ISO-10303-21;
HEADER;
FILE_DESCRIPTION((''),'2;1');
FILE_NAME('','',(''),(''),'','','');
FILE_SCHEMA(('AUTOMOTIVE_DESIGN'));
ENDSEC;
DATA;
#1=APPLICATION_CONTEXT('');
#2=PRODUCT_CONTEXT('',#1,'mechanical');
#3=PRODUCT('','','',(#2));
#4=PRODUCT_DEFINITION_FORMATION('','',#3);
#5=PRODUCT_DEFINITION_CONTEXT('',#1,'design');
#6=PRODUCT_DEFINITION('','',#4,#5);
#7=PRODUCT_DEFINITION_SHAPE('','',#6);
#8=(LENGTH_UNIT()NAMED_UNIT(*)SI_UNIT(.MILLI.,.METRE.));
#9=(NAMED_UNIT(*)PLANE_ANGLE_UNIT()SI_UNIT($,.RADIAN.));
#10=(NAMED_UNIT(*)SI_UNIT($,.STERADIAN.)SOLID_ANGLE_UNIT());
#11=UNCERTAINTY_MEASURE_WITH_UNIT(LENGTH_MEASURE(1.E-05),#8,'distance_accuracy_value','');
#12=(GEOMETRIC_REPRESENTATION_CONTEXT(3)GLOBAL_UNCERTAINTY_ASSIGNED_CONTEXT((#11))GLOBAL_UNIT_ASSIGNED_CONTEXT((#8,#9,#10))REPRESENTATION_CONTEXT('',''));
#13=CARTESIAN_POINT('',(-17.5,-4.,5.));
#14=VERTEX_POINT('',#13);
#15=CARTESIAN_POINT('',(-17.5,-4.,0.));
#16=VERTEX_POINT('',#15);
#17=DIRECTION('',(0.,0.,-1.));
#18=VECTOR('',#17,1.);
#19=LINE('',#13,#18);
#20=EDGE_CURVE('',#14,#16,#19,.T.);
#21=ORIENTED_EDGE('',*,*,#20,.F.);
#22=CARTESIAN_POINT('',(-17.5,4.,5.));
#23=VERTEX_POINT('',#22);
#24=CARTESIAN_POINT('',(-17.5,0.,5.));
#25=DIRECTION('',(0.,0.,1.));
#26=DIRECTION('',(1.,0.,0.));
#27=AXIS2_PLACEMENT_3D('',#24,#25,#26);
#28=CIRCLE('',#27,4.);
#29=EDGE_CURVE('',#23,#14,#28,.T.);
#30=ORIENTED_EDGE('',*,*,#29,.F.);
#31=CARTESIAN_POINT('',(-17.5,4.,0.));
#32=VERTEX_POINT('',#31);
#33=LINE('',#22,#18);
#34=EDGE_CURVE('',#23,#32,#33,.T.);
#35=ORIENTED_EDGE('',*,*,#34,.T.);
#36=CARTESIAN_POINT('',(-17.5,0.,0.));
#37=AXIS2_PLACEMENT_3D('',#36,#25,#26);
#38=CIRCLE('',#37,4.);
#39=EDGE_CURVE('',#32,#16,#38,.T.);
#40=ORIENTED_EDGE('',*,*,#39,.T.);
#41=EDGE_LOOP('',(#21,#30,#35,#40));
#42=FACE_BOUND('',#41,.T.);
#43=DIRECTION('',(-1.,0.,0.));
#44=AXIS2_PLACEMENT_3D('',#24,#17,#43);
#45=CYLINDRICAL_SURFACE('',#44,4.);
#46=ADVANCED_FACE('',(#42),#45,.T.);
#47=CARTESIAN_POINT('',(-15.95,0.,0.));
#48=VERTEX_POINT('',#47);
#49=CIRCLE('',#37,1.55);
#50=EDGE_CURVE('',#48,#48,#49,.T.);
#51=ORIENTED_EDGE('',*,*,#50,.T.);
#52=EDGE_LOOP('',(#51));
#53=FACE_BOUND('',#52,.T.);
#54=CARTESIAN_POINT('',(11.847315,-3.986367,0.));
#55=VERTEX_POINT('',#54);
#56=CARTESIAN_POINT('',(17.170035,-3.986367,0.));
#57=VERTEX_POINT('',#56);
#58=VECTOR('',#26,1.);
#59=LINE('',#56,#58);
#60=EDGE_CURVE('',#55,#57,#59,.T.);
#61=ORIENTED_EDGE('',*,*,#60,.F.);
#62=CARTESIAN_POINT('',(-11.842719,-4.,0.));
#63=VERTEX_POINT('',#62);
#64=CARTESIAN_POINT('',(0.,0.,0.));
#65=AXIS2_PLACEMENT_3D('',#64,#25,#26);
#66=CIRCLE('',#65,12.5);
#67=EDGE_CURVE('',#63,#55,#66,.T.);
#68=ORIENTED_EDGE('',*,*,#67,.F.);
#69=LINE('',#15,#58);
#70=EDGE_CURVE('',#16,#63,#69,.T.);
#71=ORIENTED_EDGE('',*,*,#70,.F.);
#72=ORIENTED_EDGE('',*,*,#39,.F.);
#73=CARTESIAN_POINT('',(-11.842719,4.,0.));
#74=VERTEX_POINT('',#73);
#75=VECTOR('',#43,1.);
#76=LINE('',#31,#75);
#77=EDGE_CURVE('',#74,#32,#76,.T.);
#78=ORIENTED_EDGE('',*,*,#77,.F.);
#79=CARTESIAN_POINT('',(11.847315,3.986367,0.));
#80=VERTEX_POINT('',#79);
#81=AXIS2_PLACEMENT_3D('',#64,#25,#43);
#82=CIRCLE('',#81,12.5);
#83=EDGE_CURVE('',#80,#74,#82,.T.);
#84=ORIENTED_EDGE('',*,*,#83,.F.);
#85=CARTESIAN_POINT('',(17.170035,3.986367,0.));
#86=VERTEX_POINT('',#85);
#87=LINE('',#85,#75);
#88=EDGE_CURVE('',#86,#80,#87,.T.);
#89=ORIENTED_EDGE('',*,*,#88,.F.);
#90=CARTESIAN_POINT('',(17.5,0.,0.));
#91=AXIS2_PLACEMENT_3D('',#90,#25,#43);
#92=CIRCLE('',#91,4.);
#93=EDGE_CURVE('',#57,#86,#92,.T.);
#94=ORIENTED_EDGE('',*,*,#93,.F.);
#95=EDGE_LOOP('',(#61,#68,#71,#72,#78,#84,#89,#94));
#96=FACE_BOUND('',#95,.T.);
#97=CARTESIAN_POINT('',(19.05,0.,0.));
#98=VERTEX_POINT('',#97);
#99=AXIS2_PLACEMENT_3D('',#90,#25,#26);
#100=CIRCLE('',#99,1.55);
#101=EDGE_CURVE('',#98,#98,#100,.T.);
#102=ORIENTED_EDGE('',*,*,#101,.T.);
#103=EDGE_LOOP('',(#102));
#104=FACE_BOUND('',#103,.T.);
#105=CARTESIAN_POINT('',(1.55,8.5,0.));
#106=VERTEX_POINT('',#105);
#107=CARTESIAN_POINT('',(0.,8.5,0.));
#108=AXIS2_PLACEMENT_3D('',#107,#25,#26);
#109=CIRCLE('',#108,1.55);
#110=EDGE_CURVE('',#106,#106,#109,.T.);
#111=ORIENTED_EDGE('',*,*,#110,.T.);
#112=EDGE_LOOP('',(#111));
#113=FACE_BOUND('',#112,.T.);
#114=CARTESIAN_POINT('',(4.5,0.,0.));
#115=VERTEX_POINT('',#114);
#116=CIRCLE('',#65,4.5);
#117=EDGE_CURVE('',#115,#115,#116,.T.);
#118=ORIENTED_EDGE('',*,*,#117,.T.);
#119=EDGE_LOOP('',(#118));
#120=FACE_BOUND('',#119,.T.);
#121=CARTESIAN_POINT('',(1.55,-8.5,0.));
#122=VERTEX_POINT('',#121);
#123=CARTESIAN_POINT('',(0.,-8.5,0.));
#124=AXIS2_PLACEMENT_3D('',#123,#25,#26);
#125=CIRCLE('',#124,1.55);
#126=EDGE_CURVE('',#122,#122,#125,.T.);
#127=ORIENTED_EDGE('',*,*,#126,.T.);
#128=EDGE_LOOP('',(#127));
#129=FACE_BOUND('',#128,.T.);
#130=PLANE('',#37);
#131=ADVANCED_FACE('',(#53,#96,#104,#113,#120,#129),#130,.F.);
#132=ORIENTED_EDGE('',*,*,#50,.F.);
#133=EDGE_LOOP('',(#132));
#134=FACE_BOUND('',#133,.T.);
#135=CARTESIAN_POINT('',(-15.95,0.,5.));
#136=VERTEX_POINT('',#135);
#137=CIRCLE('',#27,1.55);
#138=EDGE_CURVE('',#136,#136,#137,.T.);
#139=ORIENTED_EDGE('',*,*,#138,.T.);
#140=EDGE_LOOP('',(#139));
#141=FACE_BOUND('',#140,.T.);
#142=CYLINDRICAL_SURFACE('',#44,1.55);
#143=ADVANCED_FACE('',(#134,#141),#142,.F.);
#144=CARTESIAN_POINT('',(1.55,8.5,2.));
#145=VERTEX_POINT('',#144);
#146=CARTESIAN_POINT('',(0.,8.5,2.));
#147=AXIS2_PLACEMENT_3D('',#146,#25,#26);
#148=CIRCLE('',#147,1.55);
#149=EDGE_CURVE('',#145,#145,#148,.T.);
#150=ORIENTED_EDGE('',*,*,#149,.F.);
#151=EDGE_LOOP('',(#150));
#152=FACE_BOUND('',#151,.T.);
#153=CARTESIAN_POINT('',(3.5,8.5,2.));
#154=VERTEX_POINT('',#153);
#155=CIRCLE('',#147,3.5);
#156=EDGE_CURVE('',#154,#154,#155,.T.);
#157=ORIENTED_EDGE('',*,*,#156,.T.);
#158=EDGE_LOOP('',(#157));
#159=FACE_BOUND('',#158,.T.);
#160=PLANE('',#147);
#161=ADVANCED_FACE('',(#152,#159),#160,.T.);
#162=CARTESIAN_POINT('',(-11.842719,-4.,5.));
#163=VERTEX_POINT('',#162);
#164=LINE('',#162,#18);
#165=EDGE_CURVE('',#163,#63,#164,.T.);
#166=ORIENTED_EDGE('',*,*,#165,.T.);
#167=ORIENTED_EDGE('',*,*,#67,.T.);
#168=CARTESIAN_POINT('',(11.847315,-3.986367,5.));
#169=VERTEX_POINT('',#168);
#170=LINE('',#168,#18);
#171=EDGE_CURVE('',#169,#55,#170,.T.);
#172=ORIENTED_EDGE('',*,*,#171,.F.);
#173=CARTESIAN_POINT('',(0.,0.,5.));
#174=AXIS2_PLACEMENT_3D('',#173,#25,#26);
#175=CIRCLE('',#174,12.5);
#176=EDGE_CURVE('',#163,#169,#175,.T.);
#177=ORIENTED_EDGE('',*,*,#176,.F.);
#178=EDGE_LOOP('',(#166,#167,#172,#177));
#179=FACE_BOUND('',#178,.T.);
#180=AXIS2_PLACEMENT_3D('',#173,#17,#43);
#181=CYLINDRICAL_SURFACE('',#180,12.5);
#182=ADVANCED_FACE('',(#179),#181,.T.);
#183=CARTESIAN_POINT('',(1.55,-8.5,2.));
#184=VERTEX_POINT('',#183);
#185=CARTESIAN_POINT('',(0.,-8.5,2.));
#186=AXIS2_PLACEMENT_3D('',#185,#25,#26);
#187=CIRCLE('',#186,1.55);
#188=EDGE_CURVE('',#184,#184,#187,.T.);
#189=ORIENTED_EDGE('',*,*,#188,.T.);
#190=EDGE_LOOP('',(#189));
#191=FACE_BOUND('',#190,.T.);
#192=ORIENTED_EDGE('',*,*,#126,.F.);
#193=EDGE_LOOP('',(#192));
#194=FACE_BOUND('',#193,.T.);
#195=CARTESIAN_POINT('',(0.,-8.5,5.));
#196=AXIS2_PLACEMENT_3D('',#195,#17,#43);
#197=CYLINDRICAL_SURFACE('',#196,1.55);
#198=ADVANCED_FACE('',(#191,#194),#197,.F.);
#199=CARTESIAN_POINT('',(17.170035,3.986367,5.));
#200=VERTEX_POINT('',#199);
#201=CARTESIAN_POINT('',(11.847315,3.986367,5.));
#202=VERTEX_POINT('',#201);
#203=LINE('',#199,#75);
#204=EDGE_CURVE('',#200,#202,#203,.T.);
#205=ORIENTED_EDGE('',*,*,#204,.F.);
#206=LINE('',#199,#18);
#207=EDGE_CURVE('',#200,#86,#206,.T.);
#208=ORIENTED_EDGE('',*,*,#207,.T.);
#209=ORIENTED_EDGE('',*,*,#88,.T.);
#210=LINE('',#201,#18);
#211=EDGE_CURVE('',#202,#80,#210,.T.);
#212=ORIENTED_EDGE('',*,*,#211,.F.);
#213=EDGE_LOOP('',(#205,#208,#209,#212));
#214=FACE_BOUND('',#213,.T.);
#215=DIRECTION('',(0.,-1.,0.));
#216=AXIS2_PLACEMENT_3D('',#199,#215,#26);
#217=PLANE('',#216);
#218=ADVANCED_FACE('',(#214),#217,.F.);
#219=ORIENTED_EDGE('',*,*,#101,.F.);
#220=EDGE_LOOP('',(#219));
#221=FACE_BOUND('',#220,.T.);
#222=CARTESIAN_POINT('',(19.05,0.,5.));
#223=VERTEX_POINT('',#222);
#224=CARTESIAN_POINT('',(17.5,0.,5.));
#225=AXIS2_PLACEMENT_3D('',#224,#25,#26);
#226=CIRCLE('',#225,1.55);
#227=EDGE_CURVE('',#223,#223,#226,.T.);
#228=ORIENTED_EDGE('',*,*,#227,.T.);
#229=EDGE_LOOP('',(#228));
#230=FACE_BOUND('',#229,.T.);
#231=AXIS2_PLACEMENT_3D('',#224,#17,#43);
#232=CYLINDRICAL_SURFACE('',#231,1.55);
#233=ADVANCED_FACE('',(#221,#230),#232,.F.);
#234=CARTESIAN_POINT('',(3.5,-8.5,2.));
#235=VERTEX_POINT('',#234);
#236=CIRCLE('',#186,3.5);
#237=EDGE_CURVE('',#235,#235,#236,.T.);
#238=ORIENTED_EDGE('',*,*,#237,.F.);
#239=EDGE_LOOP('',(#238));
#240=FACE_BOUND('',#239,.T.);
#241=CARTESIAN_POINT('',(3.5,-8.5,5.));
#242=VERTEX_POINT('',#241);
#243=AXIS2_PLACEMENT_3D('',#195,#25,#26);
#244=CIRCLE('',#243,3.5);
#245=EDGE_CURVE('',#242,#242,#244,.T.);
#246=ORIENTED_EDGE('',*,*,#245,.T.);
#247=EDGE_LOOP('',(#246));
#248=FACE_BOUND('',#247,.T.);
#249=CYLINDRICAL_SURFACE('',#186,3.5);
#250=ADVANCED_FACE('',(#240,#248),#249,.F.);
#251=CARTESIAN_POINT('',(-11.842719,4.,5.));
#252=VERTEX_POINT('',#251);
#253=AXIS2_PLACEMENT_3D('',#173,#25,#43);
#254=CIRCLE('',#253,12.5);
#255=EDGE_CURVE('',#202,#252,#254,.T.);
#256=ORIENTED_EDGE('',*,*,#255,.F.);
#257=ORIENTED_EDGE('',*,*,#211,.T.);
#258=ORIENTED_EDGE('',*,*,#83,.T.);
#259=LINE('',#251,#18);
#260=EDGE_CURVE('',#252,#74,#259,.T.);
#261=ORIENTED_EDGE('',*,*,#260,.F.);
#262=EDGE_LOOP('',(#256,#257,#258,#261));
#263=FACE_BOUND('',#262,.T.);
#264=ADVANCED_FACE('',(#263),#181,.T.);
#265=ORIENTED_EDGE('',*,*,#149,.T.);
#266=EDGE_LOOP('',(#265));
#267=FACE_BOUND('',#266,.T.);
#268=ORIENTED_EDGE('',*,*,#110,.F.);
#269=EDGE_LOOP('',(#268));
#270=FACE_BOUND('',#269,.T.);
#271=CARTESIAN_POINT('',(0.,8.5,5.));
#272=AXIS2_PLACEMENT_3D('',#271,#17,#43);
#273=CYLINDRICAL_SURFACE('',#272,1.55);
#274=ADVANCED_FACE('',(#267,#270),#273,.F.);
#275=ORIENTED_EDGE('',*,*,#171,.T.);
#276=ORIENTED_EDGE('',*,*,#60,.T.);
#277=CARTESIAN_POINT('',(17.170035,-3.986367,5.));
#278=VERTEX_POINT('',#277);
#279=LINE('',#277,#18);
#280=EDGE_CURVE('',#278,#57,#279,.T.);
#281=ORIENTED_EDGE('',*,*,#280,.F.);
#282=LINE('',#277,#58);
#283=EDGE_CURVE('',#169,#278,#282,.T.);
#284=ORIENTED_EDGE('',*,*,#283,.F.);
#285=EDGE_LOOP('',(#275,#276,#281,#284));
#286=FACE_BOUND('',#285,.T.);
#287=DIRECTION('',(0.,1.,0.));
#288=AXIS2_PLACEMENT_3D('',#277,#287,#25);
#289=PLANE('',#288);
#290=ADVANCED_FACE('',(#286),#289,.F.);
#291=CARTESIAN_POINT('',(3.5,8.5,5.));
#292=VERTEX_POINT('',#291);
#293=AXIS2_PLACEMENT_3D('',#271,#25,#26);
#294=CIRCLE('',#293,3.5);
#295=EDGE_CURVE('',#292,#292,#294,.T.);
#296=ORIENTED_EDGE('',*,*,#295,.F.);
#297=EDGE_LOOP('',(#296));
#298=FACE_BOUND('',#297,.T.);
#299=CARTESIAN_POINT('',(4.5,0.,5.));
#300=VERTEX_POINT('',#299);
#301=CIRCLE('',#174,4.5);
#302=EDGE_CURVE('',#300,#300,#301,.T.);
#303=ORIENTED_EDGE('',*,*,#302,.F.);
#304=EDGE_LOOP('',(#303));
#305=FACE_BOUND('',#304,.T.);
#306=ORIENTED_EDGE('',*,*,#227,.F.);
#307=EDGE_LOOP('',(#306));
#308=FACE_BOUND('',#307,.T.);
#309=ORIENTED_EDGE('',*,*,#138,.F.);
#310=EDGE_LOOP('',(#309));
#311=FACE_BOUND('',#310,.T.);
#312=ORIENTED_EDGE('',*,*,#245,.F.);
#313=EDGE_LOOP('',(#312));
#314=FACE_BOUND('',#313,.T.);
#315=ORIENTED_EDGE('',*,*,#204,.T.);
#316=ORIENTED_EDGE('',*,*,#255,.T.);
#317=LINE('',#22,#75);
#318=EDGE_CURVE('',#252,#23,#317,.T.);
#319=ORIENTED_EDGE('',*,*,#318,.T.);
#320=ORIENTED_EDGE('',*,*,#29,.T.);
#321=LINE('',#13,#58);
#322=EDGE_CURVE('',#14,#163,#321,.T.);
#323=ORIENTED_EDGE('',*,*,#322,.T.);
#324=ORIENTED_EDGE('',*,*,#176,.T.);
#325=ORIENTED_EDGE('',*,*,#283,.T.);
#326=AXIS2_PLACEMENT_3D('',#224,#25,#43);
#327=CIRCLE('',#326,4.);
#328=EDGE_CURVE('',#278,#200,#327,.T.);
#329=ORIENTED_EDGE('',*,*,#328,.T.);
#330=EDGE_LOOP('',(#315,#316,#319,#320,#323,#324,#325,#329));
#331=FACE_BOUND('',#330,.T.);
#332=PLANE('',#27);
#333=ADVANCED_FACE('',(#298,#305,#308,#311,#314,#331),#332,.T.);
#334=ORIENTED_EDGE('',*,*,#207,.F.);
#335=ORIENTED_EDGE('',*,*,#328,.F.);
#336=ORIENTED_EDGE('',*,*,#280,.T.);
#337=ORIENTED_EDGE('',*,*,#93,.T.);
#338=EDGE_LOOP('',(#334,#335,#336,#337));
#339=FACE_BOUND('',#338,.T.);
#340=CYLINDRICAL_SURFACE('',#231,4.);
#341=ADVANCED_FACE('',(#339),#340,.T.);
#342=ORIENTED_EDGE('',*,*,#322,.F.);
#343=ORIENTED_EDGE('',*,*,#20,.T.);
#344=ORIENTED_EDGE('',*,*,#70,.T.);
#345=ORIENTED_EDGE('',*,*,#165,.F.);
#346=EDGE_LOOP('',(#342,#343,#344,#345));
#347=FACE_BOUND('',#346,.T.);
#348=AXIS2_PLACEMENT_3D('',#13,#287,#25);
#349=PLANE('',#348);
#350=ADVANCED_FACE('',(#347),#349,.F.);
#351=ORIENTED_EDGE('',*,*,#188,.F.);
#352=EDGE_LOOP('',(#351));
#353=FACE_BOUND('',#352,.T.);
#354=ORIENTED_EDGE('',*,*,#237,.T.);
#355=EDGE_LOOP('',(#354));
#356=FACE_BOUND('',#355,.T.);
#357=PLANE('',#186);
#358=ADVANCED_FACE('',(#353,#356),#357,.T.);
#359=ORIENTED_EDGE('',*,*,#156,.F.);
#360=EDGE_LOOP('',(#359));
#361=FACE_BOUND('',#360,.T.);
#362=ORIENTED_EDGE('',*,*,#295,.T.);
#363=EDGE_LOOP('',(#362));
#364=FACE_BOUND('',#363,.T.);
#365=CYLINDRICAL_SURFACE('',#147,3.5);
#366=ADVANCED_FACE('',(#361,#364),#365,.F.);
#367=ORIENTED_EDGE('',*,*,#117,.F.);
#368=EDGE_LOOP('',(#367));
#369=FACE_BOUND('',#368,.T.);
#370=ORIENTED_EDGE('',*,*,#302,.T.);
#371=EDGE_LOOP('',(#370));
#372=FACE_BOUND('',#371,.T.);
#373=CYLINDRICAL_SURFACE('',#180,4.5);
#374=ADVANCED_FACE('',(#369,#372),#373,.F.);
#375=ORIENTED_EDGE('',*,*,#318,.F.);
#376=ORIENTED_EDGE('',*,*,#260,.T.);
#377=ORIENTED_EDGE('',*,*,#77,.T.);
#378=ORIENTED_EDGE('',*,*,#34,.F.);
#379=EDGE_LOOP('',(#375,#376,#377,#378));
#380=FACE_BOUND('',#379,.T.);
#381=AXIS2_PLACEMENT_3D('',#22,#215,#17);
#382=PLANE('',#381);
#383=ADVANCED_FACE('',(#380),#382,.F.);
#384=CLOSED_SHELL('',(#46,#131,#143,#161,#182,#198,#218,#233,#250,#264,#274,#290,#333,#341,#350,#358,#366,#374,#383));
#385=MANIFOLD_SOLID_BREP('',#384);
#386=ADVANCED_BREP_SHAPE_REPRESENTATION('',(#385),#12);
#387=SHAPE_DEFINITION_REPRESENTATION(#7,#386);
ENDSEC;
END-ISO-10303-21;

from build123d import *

# Parameters (mm, degrees)
SKETCH1_R           = 1.55
SKETCH1_R_2         = 4.5
BOSS_EXTRUDE1_DEPTH = 5
SKETCH2_R           = 3.5
CUT_EXTRUDE1_DEPTH  = 3


with BuildPart() as part:
    # Sketch1 → Boss-Extrude1 (new body)
    with BuildSketch(Plane.XY):
        with BuildLine():
            Line((-17.5, 4), (-11.842719282, 4))
            ThreePointArc((-11.842719282, 4), (0.007193328, 12.49999793), (11.847315168, 3.986367182))
            Line((11.847315168, 3.986367182), (17.170035324, 3.986367182))
            ThreePointArc((17.170035324, 3.986367182), (21.5, 0), (17.170035324, -3.986367182))
            Line((17.170035324, -3.986367182), (11.847315168, -3.986367182))
            ThreePointArc((11.847315168, -3.986367182), (0.007193328, -12.49999793), (-11.842719282, -4))
            Line((-11.842719282, -4), (-17.5, -4))
            ThreePointArc((-17.5, -4), (-21.5, 0), (-17.5, 4))
        make_face()
        with Locations((-17.5, 0)):
            Circle(SKETCH1_R, mode=Mode.SUBTRACT)
        with Locations((17.5, 0)):
            Circle(SKETCH1_R, mode=Mode.SUBTRACT)
        Circle(SKETCH1_R_2, mode=Mode.SUBTRACT)
        with Locations((0, 8.5)):
            Circle(SKETCH1_R, mode=Mode.SUBTRACT)
        with Locations((0, -8.5)):
            Circle(SKETCH1_R, mode=Mode.SUBTRACT)
    extrude(amount=BOSS_EXTRUDE1_DEPTH)

    # Sketch2 → Cut-Extrude1 (cut)
    with BuildSketch(Plane.XY.offset(5)):
        with Locations((0, 8.5)):
            Circle(SKETCH2_R)
        with Locations((0, -8.5)):
            Circle(SKETCH2_R)
    extrude(amount=-CUT_EXTRUDE1_DEPTH, mode=Mode.SUBTRACT)


solid = part.part
